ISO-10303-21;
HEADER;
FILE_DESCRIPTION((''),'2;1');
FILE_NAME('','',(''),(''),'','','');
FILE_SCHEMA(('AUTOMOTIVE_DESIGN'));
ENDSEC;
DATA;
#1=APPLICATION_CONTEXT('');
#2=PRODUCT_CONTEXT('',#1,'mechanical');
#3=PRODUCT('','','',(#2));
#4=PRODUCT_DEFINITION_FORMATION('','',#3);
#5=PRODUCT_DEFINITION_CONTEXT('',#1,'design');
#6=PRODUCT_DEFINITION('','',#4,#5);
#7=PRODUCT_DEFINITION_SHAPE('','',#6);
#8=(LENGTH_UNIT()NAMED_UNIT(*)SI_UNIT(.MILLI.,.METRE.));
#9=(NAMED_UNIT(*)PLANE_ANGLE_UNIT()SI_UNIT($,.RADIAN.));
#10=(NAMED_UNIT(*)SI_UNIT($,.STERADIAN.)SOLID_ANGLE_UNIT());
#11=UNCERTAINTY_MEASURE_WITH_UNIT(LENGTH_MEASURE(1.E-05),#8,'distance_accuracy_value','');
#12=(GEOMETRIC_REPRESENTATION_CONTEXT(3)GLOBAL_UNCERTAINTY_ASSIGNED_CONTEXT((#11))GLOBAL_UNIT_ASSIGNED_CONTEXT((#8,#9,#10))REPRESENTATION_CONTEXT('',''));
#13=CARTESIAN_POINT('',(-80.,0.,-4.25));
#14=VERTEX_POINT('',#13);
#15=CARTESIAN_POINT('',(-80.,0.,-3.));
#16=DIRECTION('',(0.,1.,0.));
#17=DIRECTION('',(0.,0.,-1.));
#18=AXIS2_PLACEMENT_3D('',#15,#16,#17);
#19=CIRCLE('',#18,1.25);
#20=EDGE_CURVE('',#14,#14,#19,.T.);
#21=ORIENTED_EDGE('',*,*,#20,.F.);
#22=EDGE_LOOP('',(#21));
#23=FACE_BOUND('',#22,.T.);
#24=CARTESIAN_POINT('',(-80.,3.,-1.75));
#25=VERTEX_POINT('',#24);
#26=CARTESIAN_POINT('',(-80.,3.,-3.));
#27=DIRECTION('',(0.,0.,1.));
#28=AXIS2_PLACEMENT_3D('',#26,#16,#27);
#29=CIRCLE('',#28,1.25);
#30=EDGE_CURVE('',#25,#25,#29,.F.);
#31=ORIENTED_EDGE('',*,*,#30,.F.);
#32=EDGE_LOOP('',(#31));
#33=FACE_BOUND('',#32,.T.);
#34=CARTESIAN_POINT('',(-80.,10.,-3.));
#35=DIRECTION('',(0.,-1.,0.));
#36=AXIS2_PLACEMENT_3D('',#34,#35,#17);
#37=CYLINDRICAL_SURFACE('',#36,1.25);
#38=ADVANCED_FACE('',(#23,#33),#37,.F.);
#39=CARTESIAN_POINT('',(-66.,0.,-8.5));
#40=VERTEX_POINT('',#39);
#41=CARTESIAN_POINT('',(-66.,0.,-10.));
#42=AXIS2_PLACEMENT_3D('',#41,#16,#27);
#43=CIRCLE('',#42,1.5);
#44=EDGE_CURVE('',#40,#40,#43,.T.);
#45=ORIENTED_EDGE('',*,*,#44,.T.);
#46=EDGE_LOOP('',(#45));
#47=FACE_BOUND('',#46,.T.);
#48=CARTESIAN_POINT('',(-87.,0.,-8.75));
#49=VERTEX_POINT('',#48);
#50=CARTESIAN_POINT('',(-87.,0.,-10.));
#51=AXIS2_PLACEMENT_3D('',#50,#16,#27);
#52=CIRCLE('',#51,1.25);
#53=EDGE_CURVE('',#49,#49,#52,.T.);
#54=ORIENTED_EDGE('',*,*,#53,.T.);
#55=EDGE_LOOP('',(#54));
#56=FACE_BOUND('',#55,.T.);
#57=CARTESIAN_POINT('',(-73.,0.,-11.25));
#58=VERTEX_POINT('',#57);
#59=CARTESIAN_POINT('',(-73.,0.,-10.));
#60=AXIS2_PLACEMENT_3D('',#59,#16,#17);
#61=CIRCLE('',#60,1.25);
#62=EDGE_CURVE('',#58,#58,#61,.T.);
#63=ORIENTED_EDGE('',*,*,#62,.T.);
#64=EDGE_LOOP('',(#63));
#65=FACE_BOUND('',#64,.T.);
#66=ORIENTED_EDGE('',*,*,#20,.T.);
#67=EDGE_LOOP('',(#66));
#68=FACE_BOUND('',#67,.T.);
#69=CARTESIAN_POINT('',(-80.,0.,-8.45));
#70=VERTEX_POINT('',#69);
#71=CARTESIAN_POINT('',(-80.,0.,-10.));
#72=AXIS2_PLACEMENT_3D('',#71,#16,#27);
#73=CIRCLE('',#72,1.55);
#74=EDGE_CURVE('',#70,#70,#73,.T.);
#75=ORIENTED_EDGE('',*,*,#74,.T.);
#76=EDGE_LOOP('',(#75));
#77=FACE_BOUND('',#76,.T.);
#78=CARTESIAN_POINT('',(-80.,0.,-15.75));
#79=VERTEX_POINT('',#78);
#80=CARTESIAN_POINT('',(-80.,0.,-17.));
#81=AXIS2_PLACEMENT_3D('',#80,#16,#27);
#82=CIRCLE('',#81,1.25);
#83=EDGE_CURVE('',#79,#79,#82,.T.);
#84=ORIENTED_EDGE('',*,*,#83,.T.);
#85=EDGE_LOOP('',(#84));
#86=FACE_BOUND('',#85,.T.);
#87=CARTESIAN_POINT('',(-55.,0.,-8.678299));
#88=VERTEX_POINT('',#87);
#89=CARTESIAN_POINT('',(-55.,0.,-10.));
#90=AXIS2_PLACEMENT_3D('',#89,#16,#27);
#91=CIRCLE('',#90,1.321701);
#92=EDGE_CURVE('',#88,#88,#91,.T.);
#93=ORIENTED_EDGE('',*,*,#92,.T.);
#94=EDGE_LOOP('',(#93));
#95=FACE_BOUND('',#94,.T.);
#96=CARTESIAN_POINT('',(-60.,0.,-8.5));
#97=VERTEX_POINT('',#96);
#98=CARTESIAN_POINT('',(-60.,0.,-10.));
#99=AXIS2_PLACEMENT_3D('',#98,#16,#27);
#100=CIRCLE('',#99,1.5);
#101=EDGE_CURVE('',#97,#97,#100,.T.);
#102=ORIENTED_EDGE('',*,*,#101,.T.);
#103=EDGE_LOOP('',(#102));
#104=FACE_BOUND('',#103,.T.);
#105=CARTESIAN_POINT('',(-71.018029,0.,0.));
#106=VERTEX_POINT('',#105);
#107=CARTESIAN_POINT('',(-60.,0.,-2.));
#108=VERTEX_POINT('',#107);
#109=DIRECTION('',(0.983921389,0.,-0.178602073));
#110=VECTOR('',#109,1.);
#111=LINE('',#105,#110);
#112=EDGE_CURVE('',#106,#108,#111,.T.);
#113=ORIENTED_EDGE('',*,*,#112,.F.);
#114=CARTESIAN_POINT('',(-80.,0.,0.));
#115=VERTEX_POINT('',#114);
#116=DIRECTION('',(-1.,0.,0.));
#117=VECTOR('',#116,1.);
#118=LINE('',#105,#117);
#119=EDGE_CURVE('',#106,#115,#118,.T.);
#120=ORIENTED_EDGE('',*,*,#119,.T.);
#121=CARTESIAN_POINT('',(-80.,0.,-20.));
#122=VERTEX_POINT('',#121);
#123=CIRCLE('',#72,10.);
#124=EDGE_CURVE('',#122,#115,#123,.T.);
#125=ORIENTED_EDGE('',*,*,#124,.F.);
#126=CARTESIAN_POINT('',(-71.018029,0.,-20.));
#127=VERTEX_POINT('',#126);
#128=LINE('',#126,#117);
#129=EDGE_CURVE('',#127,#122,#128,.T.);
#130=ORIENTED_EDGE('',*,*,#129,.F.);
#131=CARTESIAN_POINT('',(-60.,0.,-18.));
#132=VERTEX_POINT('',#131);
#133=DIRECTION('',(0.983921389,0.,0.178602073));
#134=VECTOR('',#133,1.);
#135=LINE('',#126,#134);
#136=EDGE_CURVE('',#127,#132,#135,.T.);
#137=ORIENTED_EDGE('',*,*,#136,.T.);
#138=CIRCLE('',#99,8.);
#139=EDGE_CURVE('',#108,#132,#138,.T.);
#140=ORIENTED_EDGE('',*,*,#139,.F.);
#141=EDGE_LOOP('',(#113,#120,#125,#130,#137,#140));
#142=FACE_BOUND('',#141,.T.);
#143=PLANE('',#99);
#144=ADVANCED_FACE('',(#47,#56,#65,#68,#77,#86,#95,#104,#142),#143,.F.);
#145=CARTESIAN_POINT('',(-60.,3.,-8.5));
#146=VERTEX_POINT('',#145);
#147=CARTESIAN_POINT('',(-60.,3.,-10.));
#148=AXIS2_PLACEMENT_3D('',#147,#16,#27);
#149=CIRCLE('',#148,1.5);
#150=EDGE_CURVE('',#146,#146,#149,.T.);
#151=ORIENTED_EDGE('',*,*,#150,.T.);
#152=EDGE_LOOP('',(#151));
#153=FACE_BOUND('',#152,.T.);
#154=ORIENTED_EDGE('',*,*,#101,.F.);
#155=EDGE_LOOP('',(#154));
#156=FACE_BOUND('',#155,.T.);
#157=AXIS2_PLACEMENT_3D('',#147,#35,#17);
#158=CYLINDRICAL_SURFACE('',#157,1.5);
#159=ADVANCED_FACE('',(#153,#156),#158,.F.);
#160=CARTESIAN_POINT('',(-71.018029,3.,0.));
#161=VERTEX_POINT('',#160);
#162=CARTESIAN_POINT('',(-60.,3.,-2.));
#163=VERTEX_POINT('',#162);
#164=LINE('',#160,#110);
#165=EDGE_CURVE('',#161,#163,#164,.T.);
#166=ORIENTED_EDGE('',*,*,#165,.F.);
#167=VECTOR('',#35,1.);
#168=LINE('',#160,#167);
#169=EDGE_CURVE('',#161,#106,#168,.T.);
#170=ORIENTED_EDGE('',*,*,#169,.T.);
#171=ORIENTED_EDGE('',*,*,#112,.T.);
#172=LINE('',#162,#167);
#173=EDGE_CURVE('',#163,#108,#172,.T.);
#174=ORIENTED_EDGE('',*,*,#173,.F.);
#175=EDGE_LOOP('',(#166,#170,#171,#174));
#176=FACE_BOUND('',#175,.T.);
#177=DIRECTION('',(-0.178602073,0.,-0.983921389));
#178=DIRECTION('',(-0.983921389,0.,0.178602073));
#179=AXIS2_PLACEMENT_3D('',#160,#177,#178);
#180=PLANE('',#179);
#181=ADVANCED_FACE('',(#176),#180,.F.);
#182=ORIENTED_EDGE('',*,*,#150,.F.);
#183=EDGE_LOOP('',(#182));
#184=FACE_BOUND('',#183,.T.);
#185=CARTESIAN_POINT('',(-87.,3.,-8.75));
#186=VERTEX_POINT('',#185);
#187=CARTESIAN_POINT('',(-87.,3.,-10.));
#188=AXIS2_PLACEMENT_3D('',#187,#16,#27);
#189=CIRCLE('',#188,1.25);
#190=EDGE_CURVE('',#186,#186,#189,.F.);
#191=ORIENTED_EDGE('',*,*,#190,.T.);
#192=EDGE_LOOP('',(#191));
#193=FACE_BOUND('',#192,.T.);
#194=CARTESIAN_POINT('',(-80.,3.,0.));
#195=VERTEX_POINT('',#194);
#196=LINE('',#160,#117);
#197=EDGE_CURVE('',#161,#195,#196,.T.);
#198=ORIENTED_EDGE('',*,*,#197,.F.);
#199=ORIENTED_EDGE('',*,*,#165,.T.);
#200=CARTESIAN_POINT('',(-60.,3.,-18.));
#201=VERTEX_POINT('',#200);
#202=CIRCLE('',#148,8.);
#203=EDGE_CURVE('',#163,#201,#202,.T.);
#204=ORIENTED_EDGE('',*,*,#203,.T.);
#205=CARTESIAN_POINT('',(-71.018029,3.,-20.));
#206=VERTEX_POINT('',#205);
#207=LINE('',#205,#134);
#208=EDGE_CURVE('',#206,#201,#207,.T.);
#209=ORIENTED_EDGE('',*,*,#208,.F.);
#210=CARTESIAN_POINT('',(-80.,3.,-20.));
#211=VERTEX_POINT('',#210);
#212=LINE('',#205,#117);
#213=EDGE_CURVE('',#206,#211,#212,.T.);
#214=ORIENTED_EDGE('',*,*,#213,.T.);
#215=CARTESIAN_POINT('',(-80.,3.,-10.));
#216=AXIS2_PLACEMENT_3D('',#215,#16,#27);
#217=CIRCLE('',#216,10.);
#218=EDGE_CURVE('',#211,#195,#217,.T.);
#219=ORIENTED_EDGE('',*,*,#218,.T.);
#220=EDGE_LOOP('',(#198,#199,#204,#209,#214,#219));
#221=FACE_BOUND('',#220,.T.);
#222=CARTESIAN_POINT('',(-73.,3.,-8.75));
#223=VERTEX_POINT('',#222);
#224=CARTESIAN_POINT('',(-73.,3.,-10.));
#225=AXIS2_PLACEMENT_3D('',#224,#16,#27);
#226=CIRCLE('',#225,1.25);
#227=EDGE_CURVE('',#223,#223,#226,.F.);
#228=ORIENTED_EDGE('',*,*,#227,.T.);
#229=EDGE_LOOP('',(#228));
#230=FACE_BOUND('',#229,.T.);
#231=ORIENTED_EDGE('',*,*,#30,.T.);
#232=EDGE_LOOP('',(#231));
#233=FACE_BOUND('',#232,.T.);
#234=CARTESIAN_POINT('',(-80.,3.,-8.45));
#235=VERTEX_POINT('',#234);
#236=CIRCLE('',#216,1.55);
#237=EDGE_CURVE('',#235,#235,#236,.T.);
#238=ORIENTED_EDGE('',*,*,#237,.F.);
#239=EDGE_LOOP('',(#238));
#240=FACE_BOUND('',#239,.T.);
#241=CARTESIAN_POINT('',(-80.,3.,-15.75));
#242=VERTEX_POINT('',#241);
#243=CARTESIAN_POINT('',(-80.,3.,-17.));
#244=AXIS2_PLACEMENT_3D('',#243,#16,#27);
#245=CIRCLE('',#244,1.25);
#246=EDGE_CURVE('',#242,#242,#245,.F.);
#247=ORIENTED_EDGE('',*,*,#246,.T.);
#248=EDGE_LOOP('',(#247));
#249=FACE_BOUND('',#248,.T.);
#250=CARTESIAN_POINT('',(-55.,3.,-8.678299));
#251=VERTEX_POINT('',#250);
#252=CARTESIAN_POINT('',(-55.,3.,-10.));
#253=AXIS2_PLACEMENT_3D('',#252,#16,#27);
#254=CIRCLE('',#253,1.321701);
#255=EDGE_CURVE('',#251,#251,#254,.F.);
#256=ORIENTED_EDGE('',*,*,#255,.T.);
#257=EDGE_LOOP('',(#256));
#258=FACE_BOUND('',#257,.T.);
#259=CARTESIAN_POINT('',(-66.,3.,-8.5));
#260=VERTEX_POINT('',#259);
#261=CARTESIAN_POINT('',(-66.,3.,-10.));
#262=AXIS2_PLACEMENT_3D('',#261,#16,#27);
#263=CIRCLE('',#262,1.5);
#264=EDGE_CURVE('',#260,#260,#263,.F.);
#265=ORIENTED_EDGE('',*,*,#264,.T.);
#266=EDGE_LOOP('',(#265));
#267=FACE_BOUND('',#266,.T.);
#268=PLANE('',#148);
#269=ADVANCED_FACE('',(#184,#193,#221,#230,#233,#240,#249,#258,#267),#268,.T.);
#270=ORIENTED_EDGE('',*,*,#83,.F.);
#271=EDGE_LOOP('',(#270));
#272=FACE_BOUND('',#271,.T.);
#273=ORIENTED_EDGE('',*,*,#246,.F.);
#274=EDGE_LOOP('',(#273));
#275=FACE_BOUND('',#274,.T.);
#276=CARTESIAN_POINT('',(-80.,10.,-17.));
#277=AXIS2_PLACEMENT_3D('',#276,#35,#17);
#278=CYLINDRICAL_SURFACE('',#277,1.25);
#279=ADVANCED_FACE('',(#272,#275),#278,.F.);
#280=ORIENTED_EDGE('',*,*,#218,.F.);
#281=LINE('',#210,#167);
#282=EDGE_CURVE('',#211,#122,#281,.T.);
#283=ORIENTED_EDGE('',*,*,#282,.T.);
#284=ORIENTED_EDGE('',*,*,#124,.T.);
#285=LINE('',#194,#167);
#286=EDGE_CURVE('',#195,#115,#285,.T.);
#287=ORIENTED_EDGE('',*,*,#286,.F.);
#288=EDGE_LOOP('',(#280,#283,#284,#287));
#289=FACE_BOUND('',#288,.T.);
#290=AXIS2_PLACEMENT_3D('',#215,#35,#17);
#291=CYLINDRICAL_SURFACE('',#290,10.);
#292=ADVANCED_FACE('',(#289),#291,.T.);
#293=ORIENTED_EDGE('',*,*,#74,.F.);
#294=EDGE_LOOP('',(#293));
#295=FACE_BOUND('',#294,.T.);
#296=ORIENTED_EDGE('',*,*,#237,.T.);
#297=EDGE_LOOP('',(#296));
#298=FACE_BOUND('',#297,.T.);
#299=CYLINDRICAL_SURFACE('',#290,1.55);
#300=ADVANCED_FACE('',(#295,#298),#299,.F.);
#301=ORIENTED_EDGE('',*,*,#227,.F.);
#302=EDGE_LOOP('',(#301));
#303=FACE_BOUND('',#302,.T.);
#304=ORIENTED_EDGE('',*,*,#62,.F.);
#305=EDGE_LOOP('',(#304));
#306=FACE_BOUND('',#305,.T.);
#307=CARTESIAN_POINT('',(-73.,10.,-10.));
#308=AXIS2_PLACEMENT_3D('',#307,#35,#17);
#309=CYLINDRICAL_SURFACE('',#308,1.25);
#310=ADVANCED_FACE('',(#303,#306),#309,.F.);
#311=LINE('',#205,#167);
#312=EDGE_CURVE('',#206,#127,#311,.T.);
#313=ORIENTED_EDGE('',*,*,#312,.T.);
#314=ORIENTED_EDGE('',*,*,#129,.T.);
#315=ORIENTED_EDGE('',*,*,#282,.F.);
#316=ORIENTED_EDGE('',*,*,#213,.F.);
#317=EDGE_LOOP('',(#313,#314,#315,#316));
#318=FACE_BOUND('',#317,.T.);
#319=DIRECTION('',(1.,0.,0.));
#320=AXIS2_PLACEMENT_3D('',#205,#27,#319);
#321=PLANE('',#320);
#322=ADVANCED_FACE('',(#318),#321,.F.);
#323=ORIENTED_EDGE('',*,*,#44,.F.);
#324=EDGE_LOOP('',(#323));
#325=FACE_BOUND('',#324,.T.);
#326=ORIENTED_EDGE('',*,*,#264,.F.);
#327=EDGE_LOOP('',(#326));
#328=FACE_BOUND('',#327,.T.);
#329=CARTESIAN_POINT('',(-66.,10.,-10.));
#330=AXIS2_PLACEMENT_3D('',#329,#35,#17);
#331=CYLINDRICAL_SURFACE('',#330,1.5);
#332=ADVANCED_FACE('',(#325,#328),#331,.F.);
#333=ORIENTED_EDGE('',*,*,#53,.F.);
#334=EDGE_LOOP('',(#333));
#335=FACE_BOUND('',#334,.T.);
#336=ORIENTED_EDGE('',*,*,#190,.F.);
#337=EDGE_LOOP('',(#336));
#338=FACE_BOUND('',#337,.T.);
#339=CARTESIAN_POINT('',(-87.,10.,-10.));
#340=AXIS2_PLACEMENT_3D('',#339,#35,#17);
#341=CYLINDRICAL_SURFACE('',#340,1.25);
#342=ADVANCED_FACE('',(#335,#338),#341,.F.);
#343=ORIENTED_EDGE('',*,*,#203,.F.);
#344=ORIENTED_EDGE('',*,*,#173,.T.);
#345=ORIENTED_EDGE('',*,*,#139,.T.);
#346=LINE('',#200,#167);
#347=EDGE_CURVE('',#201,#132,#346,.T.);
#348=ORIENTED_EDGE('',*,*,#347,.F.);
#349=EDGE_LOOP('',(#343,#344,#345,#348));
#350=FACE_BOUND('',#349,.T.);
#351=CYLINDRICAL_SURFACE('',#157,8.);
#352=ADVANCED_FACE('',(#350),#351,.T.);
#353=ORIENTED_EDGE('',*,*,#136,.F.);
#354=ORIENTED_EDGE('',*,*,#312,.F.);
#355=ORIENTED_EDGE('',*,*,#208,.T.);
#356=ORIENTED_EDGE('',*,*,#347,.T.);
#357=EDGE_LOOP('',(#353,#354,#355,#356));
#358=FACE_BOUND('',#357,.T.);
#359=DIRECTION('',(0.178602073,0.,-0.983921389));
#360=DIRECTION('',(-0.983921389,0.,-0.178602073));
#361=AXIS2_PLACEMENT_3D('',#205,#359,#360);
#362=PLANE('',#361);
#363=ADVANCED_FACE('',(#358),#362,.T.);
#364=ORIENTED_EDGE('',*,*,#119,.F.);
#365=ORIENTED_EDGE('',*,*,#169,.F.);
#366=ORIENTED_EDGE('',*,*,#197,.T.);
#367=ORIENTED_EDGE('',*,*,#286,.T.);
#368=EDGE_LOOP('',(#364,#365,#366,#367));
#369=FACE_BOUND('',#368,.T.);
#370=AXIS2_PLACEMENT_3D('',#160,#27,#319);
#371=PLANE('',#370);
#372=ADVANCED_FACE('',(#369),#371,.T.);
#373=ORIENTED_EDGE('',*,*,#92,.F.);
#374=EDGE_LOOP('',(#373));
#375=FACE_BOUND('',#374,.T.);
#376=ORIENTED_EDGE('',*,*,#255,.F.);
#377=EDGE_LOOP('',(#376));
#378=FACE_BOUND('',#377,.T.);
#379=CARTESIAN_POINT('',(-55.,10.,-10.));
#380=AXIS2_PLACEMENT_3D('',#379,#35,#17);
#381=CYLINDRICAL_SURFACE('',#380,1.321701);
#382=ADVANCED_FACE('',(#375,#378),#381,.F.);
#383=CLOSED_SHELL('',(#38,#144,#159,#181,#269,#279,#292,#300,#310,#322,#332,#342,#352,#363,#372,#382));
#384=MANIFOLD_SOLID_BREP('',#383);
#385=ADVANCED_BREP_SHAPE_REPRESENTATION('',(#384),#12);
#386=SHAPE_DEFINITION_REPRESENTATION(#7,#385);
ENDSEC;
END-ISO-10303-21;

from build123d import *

# Parameters (mm, degrees)
SKETCH2_R           = 1.55
SKETCH2_R_2         = 1.5
BOSS_EXTRUDE2_DEPTH = 3
SKETCH3_R           = 1.25
SKETCH3_R_2         = 1.5
SKETCH3_R_3         = 1.321701339
CUT_EXTRUDE1_DEPTH  = 10


with BuildPart() as part:
    # Sketch2 → Boss-Extrude2 (new body)
    with BuildSketch(Plane(origin=(0, 0, 0), x_dir=(1, 0, 0), z_dir=(0, 1, 0))):
        with BuildLine():
            Line((-80, 0), (-71.018028778, 0))
            Line((-71.018028778, 0), (-60, 2))
            ThreePointArc((-60, 2), (-52, 10), (-60, 18))
            Line((-60, 18), (-71.018028778, 20))
            Line((-71.018028778, 20), (-80, 20))
            ThreePointArc((-80, 20), (-90, 10), (-80, 0))
        make_face()
        with Locations((-80, 10)):
            Circle(SKETCH2_R, mode=Mode.SUBTRACT)
        with Locations((-60, 10)):
            Circle(SKETCH2_R_2, mode=Mode.SUBTRACT)
    extrude(amount=BOSS_EXTRUDE2_DEPTH)

    # Sketch3 → Cut-Extrude1 (cut)
    with BuildSketch(Plane(origin=(0, 0, 0), x_dir=(1, 0, 0), z_dir=(0, 1, 0))):
        with Locations((-80, 17)):
            Circle(SKETCH3_R)
        with Locations((-80, 3)):
            Circle(SKETCH3_R)
        with Locations((-87, 10)):
            Circle(SKETCH3_R)
        with Locations((-73, 10)):
            Circle(SKETCH3_R)
        with Locations((-66, 10)):
            Circle(SKETCH3_R_2)
        with Locations((-55, 10)):
            Circle(SKETCH3_R_3)
    extrude(amount=CUT_EXTRUDE1_DEPTH, mode=Mode.SUBTRACT)


solid = part.part
